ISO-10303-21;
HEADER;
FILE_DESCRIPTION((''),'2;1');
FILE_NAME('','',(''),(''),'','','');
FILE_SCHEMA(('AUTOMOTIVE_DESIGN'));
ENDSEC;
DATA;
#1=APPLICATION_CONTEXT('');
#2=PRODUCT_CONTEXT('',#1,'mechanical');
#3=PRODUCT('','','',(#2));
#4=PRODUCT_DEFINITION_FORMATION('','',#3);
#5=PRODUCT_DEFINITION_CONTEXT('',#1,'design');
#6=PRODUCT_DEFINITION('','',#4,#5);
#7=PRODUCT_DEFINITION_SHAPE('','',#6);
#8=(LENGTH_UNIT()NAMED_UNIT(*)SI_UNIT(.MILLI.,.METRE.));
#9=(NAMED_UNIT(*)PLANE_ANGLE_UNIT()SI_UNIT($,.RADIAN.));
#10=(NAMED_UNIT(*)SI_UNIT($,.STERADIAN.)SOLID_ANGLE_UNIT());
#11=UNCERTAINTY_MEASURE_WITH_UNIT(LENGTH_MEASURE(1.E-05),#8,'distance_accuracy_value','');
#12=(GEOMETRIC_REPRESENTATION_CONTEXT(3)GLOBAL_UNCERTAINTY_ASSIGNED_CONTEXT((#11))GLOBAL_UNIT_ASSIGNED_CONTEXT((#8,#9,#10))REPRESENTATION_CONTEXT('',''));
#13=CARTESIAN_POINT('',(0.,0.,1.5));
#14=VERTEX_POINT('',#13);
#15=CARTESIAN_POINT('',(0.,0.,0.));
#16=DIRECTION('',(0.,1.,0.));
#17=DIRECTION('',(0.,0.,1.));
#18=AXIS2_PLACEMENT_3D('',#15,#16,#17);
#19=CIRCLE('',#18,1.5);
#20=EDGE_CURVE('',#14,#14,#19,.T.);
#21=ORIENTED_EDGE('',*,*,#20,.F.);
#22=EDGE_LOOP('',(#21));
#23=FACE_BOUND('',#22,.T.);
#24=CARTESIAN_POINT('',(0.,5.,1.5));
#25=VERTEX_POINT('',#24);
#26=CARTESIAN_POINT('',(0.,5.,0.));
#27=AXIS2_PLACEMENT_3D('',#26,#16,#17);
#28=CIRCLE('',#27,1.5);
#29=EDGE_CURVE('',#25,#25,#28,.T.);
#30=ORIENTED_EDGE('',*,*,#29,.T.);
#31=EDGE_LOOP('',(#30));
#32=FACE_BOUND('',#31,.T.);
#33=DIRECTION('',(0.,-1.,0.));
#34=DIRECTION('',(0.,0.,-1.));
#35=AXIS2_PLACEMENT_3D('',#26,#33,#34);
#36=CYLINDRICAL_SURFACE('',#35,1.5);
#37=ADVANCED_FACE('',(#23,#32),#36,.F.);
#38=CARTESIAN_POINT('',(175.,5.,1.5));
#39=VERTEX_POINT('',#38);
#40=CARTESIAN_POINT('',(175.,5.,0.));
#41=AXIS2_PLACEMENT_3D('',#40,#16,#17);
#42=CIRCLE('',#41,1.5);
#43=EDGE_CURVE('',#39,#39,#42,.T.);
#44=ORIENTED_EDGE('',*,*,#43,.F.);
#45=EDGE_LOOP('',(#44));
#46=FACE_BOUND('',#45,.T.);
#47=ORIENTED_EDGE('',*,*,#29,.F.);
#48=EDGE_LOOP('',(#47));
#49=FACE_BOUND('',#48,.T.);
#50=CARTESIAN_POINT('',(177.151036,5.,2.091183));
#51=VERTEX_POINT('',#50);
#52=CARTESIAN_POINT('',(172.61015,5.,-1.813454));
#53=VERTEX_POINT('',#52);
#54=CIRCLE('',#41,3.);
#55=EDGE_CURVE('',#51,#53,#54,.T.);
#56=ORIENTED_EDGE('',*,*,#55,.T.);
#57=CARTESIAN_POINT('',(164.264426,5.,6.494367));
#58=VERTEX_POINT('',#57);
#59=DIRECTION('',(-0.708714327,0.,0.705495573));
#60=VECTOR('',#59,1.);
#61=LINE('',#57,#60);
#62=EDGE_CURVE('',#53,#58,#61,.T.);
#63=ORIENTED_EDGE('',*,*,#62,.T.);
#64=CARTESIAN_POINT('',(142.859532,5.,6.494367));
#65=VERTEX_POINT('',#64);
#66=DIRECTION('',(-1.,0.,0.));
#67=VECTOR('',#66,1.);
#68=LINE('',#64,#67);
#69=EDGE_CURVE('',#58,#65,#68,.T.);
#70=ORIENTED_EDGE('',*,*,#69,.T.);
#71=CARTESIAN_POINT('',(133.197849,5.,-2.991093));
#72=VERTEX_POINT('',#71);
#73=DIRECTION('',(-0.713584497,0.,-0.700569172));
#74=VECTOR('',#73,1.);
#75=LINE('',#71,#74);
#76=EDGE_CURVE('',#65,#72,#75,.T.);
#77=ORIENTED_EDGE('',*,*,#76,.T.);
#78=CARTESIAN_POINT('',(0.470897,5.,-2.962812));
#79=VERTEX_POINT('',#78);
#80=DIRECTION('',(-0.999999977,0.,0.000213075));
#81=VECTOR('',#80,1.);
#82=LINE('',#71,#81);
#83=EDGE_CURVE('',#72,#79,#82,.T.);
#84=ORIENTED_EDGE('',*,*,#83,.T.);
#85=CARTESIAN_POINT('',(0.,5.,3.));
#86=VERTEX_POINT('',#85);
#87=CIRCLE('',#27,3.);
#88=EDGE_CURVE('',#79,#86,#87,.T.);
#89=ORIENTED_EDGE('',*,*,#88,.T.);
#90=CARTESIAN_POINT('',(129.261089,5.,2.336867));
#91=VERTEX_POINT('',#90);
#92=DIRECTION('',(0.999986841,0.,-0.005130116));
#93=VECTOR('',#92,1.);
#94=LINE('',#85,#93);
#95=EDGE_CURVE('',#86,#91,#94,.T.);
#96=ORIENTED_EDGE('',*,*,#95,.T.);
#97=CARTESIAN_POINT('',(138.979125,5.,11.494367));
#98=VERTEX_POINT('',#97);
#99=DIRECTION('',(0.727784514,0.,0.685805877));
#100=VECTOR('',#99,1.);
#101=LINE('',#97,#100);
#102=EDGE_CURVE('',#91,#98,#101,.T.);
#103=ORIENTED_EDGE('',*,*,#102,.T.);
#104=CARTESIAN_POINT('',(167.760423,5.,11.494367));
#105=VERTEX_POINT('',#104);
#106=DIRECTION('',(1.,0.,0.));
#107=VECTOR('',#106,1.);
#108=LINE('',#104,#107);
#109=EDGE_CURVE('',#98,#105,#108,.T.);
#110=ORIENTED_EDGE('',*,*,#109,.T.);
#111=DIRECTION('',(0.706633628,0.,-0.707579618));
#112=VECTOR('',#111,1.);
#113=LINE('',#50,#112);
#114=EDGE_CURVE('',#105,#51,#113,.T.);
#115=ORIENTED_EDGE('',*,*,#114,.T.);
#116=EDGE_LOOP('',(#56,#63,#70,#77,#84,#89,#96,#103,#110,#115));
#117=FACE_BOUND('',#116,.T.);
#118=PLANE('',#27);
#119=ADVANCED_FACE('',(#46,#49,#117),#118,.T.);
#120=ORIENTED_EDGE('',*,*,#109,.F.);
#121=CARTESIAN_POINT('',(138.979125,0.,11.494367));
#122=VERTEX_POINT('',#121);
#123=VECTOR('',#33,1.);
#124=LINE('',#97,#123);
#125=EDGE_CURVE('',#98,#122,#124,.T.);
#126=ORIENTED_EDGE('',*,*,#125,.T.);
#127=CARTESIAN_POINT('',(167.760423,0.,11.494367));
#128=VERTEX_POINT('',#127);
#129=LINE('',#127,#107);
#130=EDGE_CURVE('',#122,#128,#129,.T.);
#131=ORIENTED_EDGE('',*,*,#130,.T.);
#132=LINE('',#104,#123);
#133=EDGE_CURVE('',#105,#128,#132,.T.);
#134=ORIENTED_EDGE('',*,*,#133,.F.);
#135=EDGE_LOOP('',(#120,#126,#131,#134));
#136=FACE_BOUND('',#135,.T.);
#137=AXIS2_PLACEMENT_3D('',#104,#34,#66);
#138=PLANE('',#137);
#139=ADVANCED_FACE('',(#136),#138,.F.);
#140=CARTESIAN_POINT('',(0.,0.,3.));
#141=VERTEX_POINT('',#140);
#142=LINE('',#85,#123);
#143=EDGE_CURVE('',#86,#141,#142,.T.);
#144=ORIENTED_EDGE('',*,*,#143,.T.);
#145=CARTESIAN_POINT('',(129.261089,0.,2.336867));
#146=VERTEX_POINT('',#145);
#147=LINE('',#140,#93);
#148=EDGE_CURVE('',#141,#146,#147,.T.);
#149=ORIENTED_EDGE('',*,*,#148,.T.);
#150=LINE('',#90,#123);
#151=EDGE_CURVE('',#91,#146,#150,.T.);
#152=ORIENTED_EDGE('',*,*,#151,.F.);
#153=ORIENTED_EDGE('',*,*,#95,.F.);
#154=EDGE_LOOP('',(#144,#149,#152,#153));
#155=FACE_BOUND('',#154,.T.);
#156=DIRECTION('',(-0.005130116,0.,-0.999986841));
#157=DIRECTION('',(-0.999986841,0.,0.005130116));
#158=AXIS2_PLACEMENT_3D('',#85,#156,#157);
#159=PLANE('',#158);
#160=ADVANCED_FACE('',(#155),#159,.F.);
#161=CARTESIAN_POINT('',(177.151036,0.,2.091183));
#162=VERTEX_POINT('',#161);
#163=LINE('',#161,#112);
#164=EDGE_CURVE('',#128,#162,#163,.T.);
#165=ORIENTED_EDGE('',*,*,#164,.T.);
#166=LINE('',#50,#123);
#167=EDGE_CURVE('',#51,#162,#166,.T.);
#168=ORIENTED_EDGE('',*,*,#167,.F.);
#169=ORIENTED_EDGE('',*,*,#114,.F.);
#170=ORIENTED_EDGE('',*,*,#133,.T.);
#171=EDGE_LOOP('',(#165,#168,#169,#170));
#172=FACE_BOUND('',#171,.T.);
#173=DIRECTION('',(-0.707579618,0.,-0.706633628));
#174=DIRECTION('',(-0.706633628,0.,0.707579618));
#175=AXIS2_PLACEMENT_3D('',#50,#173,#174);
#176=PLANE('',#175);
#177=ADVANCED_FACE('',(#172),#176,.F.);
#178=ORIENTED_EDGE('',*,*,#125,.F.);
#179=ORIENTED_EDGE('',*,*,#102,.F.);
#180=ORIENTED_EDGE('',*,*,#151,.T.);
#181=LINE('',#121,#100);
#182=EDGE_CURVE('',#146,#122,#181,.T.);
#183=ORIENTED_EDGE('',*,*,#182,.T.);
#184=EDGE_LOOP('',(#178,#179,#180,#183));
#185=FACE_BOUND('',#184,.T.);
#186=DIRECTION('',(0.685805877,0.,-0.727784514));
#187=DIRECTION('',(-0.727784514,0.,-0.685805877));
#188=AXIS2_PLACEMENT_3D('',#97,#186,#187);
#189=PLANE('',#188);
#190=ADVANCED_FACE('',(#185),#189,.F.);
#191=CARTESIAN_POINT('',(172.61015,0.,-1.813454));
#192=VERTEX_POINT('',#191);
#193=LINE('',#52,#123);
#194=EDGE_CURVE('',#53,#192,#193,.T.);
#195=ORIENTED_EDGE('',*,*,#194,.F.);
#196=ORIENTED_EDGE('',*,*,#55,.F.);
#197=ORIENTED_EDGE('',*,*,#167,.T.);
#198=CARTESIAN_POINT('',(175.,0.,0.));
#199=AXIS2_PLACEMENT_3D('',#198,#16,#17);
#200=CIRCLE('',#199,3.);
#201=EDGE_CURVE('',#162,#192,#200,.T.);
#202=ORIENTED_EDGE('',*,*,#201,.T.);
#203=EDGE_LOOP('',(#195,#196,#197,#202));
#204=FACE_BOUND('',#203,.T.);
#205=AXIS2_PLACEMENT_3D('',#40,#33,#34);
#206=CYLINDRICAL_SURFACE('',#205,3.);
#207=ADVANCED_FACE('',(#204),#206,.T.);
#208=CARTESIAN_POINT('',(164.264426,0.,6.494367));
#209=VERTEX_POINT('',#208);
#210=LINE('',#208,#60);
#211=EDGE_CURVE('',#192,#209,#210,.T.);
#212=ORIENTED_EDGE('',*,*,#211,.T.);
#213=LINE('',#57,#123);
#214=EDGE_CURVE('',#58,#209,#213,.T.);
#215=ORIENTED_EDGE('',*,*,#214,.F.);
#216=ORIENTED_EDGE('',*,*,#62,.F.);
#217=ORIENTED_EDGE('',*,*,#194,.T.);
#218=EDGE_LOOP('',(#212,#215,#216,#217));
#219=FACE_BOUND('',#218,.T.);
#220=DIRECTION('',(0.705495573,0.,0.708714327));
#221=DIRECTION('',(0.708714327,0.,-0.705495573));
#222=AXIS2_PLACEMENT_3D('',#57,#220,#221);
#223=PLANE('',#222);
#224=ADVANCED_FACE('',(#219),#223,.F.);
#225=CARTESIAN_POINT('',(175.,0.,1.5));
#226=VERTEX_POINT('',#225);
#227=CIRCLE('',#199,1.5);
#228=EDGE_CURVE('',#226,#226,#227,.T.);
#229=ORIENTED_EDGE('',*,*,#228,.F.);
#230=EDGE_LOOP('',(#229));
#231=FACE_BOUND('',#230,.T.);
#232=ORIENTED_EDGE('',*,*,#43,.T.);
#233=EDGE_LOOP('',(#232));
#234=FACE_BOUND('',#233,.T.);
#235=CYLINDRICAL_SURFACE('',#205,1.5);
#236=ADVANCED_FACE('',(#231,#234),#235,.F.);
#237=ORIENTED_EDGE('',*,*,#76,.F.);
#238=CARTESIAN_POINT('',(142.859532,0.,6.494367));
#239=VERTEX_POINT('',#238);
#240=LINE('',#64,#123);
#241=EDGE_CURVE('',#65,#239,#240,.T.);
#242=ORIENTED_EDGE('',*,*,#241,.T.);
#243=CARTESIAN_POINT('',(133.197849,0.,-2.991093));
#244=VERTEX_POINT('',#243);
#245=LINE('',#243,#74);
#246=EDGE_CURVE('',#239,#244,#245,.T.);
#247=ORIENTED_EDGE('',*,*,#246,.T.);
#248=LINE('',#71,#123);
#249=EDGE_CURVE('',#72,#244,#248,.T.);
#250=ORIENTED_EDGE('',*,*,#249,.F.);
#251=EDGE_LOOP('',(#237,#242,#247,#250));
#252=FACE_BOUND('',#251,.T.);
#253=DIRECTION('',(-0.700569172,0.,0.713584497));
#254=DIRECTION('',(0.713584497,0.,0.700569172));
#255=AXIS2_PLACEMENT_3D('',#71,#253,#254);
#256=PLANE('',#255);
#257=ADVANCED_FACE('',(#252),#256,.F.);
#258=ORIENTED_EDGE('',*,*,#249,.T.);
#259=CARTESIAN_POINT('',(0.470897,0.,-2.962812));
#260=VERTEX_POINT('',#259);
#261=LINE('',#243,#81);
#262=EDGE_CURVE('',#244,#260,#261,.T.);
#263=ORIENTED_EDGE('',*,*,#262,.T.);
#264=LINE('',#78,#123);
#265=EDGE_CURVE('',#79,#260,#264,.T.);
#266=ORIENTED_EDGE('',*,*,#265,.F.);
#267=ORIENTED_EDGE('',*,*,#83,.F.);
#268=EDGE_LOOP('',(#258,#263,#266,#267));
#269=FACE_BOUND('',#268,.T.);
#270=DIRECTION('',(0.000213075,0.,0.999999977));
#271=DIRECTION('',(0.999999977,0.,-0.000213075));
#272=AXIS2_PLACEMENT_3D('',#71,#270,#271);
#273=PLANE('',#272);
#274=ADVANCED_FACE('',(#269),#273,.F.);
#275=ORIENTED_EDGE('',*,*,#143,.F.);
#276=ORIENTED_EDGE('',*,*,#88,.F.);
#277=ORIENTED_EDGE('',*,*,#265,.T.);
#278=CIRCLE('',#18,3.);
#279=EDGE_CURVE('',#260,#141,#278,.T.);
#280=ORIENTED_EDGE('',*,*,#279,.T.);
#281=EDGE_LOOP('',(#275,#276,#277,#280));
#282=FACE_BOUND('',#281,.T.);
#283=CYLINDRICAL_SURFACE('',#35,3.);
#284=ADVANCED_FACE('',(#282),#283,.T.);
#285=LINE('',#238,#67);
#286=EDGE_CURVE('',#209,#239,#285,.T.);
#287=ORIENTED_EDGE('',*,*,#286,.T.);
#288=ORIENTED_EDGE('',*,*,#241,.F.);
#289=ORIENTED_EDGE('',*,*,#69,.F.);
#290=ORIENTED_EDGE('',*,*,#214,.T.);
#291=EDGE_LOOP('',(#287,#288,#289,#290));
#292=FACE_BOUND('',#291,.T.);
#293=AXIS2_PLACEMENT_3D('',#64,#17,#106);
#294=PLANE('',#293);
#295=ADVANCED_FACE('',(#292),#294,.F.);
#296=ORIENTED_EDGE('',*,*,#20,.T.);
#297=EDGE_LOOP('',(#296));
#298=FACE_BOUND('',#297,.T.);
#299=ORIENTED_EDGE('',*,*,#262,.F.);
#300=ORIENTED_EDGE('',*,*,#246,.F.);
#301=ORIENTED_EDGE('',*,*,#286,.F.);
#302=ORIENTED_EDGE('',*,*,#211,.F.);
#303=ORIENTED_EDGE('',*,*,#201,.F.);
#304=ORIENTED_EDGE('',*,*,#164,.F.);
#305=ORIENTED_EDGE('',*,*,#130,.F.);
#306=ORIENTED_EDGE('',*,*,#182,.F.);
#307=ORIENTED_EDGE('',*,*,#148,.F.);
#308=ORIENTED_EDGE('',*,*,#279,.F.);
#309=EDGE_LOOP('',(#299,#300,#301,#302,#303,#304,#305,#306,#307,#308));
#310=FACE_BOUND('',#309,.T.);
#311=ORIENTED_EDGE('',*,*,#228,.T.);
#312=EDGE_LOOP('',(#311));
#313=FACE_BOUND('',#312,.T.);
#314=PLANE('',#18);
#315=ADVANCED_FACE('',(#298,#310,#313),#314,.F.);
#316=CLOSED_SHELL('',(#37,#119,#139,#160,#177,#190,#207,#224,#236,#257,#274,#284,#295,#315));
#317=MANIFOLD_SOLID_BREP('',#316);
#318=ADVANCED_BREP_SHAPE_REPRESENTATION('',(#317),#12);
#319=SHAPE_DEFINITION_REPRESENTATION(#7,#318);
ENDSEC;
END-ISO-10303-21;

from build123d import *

# Parameters (mm, degrees)
CROQUIS1_R              = 1.5
SALIENTE_EXTRUIR1_DEPTH = 5


with BuildPart() as part:
    # Croquis1 → Saliente-Extruir1 (new body)
    with BuildSketch(Plane(origin=(0, 0, 0), x_dir=(1, 0, 0), z_dir=(0, 1, 0))):
        with BuildLine():
            Line((0, -3), (129.261088854, -2.336866912))
            Line((129.261088854, -2.336866912), (138.979125155, -11.494366527))
            Line((138.979125155, -11.494366527), (167.76042343, -11.494366527))
            Line((167.76042343, -11.494366527), (177.151035775, -2.091182702))
            ThreePointArc((177.151035775, -2.091182702), (176.95596642, 2.274685773), (172.610149506, 1.813453781))
            Line((172.610149506, 1.813453781), (164.264425587, -6.494366527))
            Line((164.264425587, -6.494366527), (142.859531648, -6.494366527))
            Line((142.859531648, -6.494366527), (133.197849193, 2.991093014))
            Line((133.197849193, 2.991093014), (0.470896611, 2.962812242))
            ThreePointArc((0.470896611, 2.962812242), (-2.99068861, 0.236181365), (0, -3))
        make_face()
        with Locations(Location((0, 0, 0), (0, 0, 270))):
            Circle(CROQUIS1_R, mode=Mode.SUBTRACT)
        with Locations(Location((175, 0, 0), (0, 0, 270))):
            Circle(CROQUIS1_R, mode=Mode.SUBTRACT)
    extrude(amount=SALIENTE_EXTRUIR1_DEPTH)


solid = part.part
